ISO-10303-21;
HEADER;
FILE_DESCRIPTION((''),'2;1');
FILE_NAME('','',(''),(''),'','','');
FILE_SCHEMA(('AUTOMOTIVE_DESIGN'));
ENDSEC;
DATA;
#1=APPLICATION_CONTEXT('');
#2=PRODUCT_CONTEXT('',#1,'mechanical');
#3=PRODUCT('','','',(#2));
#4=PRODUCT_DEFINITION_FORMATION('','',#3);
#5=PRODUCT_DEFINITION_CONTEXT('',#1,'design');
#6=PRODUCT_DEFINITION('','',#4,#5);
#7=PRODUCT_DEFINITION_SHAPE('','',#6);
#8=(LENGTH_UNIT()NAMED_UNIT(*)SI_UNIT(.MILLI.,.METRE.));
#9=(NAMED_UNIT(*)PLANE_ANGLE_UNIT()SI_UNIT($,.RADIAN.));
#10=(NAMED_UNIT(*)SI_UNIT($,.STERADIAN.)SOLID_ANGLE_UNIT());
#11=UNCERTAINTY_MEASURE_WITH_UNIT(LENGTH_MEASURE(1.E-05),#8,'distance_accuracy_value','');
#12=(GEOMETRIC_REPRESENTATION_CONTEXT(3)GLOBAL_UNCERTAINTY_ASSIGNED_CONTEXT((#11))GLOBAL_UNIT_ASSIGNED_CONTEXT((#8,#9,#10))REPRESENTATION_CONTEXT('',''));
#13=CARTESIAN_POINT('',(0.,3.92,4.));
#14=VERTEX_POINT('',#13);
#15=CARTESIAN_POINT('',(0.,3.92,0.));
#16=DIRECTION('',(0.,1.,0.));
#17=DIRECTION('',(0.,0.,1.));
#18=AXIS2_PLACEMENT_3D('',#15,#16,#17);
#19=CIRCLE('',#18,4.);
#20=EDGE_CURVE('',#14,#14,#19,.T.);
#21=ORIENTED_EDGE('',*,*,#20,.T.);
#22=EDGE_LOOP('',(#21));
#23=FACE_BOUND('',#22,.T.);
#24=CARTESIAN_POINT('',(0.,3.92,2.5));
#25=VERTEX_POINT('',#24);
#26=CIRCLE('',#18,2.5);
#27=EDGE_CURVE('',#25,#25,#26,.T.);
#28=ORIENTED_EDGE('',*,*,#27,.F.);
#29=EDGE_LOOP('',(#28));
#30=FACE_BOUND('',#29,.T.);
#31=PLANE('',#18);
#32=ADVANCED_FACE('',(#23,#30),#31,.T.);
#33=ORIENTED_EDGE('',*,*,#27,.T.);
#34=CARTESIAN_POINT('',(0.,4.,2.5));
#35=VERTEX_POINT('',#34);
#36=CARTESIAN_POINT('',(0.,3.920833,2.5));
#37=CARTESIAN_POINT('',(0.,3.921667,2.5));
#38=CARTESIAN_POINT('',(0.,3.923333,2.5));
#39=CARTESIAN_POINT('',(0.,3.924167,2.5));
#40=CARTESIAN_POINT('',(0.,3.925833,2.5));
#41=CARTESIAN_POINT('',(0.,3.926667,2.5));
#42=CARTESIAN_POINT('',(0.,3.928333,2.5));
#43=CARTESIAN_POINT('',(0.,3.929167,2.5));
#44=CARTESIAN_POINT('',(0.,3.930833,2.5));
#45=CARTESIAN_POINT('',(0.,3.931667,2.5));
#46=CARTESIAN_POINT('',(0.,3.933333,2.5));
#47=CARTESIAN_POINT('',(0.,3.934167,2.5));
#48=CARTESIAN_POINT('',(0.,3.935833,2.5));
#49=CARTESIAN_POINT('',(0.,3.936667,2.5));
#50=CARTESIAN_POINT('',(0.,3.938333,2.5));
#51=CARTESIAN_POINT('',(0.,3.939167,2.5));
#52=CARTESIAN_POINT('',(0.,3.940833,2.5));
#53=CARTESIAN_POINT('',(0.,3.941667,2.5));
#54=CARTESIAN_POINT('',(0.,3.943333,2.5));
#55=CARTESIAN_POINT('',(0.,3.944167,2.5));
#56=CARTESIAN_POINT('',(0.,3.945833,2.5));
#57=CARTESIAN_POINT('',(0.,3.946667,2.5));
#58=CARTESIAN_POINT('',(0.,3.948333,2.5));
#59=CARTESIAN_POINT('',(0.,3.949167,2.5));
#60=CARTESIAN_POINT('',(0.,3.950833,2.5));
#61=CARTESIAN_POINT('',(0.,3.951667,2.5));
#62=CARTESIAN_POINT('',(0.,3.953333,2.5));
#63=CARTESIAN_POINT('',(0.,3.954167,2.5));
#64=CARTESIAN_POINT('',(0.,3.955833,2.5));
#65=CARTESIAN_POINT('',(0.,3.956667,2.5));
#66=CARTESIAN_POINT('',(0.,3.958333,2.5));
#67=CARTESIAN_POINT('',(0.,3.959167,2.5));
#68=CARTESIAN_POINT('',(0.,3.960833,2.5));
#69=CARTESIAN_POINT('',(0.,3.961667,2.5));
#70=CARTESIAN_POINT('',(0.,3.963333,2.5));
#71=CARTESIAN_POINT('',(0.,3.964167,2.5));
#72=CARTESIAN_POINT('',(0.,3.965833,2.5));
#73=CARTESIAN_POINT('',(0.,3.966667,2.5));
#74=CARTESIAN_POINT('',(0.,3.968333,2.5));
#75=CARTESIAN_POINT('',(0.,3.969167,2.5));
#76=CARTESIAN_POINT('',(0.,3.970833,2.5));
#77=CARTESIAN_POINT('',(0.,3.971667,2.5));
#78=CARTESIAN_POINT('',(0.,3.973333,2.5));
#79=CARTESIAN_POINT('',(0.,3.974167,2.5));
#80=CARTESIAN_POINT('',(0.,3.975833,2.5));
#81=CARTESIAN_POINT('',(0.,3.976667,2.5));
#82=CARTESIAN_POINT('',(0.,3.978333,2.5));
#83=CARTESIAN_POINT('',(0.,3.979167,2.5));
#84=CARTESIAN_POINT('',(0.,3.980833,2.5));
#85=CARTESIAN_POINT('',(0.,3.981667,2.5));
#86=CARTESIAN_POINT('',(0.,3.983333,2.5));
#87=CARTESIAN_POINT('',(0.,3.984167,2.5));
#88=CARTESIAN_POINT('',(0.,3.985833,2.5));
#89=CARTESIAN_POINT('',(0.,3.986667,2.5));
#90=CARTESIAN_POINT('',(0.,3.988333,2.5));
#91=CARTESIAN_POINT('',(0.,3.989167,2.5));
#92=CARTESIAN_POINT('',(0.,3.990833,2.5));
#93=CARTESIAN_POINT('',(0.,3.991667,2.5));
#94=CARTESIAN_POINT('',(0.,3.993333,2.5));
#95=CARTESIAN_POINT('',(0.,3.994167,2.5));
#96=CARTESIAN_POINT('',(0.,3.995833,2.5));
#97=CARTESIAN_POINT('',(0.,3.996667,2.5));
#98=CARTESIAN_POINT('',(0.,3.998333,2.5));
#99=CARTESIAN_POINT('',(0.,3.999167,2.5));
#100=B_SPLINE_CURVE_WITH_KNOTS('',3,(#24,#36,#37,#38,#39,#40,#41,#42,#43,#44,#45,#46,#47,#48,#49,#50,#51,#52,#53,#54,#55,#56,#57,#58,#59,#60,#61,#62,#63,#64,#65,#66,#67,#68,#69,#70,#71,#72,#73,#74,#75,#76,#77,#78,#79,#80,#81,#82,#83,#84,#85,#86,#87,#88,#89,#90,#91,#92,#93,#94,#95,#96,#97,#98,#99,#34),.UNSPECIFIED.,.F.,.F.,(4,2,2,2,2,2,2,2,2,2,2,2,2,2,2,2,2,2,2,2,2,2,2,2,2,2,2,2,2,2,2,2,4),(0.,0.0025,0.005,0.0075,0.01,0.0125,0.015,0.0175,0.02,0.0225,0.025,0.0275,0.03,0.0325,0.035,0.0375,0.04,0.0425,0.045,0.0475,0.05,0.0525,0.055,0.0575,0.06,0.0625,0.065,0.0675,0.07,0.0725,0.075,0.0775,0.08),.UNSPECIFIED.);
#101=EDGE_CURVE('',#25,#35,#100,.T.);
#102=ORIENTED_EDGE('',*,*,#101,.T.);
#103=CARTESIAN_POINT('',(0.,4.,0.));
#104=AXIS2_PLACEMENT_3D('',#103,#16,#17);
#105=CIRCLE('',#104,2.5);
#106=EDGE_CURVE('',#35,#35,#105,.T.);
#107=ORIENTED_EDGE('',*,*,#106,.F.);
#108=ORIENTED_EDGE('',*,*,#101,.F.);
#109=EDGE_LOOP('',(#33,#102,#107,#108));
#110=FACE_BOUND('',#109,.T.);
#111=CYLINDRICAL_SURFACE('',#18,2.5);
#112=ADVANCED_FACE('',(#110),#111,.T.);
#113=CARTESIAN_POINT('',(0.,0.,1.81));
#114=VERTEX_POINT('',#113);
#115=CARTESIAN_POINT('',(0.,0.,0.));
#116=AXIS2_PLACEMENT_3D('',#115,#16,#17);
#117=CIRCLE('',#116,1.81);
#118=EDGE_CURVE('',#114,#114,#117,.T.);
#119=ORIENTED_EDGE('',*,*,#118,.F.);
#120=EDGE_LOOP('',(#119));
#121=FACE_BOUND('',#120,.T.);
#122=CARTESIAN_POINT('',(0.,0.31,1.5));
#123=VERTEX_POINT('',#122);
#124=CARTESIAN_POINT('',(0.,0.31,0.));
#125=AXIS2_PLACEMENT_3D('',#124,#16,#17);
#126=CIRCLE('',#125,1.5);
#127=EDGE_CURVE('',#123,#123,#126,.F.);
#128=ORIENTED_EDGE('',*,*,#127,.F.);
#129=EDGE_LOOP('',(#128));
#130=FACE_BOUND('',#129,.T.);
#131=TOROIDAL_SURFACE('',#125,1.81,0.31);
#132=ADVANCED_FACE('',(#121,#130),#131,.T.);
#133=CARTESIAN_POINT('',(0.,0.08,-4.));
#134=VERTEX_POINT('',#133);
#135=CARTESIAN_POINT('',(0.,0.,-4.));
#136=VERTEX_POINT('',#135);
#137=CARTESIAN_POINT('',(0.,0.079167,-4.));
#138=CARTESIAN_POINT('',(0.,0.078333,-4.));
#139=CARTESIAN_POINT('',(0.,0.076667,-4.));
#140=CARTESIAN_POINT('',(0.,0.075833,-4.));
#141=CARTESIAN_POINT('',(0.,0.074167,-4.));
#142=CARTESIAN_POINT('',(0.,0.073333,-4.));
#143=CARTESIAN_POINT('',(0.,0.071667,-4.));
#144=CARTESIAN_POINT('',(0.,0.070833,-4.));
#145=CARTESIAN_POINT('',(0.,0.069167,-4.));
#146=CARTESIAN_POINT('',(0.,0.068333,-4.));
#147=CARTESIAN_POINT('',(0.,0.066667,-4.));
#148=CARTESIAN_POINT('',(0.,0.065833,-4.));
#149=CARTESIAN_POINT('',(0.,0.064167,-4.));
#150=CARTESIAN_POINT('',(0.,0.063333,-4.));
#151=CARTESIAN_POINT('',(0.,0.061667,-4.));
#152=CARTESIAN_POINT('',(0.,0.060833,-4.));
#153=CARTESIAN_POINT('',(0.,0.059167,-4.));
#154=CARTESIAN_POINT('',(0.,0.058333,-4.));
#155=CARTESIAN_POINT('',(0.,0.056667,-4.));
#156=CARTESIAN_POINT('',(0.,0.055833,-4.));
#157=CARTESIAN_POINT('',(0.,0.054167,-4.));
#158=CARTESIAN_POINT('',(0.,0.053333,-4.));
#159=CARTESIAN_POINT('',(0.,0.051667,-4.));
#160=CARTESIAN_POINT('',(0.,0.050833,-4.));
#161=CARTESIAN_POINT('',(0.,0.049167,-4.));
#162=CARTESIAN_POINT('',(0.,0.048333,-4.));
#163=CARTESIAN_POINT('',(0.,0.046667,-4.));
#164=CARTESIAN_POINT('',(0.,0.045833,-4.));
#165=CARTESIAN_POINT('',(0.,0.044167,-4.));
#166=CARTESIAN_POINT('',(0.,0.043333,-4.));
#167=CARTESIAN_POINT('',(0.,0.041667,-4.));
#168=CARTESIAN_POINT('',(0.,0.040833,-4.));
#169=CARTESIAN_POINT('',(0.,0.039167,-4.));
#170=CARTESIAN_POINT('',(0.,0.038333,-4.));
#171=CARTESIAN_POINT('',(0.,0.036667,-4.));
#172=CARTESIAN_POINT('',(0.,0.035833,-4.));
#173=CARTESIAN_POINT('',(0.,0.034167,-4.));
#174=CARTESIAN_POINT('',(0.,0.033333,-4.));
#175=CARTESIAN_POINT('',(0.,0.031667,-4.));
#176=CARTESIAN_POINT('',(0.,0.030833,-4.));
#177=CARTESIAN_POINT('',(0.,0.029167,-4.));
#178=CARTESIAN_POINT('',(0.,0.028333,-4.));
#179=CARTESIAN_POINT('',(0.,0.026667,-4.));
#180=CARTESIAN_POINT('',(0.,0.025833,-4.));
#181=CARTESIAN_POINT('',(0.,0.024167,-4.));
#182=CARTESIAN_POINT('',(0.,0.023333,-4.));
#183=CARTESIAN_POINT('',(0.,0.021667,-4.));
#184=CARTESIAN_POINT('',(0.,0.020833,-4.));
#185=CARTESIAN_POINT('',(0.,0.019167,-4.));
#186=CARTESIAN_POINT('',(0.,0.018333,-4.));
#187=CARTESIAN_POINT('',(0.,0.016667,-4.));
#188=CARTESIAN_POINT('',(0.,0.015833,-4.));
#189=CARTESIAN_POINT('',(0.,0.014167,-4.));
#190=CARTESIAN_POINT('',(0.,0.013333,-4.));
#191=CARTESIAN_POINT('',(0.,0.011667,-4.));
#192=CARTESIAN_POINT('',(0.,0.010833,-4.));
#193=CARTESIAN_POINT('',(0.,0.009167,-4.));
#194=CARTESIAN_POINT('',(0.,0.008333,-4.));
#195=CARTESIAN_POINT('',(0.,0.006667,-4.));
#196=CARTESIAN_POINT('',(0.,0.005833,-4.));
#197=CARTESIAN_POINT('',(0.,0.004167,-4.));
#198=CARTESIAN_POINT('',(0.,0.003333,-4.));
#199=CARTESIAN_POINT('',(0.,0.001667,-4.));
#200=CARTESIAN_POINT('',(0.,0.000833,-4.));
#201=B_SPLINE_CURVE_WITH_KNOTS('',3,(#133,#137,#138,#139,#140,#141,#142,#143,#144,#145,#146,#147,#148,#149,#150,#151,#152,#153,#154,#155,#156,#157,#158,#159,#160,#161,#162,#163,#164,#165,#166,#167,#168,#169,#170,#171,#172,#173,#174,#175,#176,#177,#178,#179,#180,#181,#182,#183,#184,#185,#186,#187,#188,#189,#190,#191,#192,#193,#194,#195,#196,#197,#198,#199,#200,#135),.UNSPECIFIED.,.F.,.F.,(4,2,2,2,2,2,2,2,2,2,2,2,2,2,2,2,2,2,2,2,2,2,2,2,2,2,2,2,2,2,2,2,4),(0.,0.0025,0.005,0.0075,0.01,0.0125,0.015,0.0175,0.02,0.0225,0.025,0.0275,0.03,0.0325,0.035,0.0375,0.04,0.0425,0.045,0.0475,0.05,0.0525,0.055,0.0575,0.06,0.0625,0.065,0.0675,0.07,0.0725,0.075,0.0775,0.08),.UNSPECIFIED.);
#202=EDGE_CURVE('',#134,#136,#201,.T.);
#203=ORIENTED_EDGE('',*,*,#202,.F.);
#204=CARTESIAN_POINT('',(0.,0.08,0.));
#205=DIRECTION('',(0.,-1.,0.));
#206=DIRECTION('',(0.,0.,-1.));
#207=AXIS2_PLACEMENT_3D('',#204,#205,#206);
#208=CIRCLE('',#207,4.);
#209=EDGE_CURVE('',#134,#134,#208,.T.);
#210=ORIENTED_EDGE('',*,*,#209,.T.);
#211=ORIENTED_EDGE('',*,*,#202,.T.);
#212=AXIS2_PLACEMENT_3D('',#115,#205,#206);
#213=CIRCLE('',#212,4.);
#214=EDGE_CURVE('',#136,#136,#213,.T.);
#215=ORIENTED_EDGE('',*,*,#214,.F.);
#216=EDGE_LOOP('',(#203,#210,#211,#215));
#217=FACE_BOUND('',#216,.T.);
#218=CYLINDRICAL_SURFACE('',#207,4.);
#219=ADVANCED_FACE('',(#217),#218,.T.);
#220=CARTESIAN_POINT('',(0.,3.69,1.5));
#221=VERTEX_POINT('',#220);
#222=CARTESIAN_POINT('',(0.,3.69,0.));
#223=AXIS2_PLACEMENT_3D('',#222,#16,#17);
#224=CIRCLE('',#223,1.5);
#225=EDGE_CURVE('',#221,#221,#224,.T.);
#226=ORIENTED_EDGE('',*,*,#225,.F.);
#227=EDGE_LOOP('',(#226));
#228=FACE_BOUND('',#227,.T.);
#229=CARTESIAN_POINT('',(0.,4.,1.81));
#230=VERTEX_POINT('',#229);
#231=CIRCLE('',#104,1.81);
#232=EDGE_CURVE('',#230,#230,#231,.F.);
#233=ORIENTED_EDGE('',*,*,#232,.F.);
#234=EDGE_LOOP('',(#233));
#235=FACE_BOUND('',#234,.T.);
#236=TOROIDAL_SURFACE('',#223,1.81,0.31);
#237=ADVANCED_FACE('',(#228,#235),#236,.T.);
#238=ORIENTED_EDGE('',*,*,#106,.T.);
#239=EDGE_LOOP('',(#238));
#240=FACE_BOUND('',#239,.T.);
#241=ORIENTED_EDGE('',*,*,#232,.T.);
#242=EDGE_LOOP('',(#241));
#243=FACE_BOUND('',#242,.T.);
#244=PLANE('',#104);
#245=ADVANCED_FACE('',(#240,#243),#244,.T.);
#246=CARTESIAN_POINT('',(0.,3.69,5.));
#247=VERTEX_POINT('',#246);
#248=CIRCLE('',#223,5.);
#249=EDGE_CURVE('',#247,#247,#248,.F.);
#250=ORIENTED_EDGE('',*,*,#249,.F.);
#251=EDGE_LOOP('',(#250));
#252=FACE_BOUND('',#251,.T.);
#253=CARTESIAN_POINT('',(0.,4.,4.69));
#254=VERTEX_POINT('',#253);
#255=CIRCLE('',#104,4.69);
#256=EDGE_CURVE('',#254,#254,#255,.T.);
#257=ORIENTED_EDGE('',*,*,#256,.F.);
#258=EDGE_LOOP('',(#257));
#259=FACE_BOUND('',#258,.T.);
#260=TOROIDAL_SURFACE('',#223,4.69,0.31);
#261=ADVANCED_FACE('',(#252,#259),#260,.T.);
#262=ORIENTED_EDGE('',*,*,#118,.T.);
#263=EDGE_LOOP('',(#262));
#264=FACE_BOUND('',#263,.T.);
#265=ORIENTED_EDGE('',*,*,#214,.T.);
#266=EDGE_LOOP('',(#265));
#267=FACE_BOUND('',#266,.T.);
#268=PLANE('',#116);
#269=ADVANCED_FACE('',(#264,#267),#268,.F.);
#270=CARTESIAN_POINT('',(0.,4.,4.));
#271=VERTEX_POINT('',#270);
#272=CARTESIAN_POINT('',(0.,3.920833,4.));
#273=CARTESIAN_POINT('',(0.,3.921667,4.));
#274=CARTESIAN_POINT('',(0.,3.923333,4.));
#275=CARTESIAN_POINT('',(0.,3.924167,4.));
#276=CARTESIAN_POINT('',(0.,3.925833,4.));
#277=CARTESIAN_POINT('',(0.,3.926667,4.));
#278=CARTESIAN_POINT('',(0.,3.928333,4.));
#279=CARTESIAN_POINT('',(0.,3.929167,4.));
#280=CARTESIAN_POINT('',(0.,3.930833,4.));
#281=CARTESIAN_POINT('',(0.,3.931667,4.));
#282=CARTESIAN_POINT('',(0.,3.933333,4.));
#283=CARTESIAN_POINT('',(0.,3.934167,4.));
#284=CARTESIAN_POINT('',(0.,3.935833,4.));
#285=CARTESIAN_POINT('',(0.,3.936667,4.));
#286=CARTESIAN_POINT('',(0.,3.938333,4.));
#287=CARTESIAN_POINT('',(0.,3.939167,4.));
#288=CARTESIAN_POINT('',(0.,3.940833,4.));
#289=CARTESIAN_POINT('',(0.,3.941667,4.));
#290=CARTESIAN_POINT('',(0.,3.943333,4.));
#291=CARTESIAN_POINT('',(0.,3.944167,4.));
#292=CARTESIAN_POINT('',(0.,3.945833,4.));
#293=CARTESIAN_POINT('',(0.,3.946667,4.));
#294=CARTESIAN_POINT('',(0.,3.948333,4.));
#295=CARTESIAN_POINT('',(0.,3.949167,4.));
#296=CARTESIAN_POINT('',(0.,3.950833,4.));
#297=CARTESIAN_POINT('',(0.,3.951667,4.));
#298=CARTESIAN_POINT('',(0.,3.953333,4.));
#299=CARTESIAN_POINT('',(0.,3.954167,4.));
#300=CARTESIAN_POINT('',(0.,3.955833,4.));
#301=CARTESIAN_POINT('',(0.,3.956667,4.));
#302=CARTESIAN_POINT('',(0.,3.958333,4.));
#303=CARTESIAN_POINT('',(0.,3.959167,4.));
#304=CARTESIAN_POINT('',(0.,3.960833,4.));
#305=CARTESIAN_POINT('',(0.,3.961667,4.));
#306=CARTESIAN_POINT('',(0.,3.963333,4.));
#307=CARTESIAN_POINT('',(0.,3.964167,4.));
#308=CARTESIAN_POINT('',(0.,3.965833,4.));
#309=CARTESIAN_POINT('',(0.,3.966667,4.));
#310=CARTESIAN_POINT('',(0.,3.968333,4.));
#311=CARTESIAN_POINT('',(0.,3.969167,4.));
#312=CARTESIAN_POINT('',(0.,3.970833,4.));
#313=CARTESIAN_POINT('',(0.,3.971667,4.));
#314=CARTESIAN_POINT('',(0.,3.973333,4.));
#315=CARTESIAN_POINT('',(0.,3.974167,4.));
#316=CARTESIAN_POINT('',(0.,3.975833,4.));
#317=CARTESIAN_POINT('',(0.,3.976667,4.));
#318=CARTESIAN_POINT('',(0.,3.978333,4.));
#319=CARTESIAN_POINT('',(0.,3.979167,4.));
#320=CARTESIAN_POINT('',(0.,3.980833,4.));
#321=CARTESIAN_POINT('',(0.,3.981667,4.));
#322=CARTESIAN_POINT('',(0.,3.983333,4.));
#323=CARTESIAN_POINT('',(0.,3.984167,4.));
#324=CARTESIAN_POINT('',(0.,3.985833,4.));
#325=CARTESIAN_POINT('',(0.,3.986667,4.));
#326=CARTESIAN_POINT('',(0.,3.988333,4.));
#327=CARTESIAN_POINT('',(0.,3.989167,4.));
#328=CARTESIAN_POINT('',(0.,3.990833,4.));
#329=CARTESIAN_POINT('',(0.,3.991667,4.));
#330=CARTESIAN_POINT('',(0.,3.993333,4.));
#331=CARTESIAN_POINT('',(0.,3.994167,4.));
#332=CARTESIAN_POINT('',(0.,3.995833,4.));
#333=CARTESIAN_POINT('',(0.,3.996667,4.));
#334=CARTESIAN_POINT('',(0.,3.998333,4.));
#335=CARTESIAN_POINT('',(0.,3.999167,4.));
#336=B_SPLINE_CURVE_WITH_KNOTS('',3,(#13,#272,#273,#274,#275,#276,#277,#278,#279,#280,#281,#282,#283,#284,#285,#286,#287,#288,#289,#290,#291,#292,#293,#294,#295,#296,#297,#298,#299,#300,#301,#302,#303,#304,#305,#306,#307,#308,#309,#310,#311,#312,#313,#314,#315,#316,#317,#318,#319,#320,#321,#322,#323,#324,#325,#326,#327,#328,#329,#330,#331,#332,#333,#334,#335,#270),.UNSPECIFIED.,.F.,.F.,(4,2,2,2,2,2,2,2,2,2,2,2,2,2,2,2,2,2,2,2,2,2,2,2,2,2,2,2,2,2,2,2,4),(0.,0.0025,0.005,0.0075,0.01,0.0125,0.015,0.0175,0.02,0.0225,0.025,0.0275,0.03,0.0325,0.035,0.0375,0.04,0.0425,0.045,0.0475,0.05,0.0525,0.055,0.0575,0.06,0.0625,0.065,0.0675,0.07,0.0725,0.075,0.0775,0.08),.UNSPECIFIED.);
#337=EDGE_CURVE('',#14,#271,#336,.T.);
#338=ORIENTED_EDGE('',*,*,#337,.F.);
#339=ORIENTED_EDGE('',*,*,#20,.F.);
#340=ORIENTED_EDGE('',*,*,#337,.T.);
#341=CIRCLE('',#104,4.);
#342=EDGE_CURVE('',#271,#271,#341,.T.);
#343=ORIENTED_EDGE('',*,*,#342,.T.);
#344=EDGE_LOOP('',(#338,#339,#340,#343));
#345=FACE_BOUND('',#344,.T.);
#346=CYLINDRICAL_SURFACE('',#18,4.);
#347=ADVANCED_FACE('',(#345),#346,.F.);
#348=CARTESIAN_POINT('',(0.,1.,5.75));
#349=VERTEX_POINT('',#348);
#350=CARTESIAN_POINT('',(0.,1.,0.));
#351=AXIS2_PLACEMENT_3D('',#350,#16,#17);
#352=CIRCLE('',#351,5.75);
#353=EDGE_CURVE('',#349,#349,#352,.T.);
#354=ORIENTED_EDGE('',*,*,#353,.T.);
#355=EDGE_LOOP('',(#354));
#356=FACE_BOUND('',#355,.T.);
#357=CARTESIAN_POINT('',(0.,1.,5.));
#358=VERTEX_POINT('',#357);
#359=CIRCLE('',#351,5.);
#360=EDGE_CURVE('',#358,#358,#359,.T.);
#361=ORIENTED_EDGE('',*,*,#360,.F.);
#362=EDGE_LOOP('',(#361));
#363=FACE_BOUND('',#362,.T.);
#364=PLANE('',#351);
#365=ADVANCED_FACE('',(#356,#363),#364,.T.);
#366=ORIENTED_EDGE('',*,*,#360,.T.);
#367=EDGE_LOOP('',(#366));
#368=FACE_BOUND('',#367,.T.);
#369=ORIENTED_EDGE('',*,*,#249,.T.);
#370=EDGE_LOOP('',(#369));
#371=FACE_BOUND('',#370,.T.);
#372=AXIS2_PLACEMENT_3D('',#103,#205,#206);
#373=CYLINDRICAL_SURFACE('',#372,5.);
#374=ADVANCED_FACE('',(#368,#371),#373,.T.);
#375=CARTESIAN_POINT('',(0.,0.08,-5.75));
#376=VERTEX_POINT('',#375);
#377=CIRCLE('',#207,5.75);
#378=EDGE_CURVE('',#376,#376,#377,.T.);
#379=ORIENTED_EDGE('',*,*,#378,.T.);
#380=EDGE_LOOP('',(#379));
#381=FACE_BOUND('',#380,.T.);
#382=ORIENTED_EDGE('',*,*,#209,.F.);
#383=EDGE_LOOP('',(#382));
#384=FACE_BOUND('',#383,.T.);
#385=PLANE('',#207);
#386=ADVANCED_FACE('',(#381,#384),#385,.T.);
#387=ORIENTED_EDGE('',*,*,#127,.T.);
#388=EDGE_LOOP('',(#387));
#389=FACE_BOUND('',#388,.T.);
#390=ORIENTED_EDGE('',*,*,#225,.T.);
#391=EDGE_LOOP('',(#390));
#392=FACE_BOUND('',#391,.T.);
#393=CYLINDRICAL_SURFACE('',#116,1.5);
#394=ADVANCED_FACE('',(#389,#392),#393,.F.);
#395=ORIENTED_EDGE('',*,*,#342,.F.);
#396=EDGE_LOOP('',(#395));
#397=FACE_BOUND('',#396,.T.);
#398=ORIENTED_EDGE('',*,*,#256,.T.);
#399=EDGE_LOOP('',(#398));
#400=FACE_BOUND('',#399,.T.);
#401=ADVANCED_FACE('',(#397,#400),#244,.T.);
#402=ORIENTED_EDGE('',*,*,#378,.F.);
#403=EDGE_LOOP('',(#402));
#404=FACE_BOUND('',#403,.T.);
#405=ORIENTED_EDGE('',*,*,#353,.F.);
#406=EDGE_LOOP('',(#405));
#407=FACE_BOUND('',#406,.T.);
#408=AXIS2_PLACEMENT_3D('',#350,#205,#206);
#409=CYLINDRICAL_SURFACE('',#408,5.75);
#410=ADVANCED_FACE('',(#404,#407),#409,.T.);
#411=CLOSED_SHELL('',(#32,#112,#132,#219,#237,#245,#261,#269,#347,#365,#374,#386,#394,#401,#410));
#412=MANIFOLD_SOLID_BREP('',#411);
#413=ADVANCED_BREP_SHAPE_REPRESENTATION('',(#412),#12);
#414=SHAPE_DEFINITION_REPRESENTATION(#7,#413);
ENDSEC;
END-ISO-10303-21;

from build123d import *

# Parameters (mm, degrees)
SKETCH1_R           = 5.75
BOSS_EXTRUDE1_DEPTH = 1
SKETCH2_R           = 5
BOSS_EXTRUDE2_DEPTH = 3
SKETCH3_R           = 1.5
CUT_EXTRUDE1_DEPTH  = 10.06228448
SKETCH4_R           = 762
SKETCH4_R_2         = 4
CUT_EXTRUDE2_DEPTH  = 0.08
CUT_EXTRUDE3_START  = -0.08
SKETCH5_R           = 4
SKETCH5_R_2         = 2.5
CUT_EXTRUDE3_DEPTH  = 0.08
FILLET1_R           = 0.31


with BuildPart() as part:
    # Sketch1 → Boss-Extrude1 (new body)
    with BuildSketch(Plane(origin=(0, 0, 0), x_dir=(1, 0, 0), z_dir=(0, 1, 0))):
        with Locations(Location((0, 0, 0), (0, 0, 270))):
            Circle(SKETCH1_R)
    extrude(amount=BOSS_EXTRUDE1_DEPTH)

    # Sketch2 → Boss-Extrude2 (add)
    with BuildSketch(Plane(origin=(0, 1, 0), x_dir=(1, 0, 0), z_dir=(0, 1, 0))):
        with Locations(Location((0, 0, 0), (0, 0, 270))):
            Circle(SKETCH2_R)
    extrude(amount=BOSS_EXTRUDE2_DEPTH)

    # Sketch3 → Cut-Extrude1 (cut, through all)
    with BuildSketch(Plane(origin=(0, 4, 0), x_dir=(1, 0, 0), z_dir=(0, 1, 0))):
        with Locations(Location((0, 0, 0), (0, 0, 270))):
            Circle(SKETCH3_R)
    extrude(amount=-CUT_EXTRUDE1_DEPTH, mode=Mode.SUBTRACT)

    # Sketch4 → Cut-Extrude2 (cut)
    with BuildSketch(Plane.XZ):
        Circle(SKETCH4_R)
        with Locations(Location((0, 0, 0), (0, 0, 270))):
            Circle(SKETCH4_R_2, mode=Mode.SUBTRACT)
    extrude(amount=-CUT_EXTRUDE2_DEPTH, mode=Mode.SUBTRACT)

    # Sketch5 → Cut-Extrude3 (cut)
    with BuildSketch(Plane(origin=(0, 4, 0), x_dir=(1, 0, 0), z_dir=(0, 1, 0)).offset(CUT_EXTRUDE3_START)):
        with Locations(Location((0, 0, 0), (0, 0, 90))):
            Circle(SKETCH5_R)
        with Locations(Location((0, 0, 0), (0, 0, 270))):
            Circle(SKETCH5_R_2, mode=Mode.SUBTRACT)
    extrude(amount=CUT_EXTRUDE3_DEPTH, mode=Mode.SUBTRACT)

    # Fillet1
    fillet1_edges = [part.edges().sort_by_distance(p)[0] for p in [
        (0, 0, -1.5),
        (0, 4, -1.5),
        (0, 4, -5),
    ]]
    fillet(fillet1_edges, radius=FILLET1_R)


solid = part.part
